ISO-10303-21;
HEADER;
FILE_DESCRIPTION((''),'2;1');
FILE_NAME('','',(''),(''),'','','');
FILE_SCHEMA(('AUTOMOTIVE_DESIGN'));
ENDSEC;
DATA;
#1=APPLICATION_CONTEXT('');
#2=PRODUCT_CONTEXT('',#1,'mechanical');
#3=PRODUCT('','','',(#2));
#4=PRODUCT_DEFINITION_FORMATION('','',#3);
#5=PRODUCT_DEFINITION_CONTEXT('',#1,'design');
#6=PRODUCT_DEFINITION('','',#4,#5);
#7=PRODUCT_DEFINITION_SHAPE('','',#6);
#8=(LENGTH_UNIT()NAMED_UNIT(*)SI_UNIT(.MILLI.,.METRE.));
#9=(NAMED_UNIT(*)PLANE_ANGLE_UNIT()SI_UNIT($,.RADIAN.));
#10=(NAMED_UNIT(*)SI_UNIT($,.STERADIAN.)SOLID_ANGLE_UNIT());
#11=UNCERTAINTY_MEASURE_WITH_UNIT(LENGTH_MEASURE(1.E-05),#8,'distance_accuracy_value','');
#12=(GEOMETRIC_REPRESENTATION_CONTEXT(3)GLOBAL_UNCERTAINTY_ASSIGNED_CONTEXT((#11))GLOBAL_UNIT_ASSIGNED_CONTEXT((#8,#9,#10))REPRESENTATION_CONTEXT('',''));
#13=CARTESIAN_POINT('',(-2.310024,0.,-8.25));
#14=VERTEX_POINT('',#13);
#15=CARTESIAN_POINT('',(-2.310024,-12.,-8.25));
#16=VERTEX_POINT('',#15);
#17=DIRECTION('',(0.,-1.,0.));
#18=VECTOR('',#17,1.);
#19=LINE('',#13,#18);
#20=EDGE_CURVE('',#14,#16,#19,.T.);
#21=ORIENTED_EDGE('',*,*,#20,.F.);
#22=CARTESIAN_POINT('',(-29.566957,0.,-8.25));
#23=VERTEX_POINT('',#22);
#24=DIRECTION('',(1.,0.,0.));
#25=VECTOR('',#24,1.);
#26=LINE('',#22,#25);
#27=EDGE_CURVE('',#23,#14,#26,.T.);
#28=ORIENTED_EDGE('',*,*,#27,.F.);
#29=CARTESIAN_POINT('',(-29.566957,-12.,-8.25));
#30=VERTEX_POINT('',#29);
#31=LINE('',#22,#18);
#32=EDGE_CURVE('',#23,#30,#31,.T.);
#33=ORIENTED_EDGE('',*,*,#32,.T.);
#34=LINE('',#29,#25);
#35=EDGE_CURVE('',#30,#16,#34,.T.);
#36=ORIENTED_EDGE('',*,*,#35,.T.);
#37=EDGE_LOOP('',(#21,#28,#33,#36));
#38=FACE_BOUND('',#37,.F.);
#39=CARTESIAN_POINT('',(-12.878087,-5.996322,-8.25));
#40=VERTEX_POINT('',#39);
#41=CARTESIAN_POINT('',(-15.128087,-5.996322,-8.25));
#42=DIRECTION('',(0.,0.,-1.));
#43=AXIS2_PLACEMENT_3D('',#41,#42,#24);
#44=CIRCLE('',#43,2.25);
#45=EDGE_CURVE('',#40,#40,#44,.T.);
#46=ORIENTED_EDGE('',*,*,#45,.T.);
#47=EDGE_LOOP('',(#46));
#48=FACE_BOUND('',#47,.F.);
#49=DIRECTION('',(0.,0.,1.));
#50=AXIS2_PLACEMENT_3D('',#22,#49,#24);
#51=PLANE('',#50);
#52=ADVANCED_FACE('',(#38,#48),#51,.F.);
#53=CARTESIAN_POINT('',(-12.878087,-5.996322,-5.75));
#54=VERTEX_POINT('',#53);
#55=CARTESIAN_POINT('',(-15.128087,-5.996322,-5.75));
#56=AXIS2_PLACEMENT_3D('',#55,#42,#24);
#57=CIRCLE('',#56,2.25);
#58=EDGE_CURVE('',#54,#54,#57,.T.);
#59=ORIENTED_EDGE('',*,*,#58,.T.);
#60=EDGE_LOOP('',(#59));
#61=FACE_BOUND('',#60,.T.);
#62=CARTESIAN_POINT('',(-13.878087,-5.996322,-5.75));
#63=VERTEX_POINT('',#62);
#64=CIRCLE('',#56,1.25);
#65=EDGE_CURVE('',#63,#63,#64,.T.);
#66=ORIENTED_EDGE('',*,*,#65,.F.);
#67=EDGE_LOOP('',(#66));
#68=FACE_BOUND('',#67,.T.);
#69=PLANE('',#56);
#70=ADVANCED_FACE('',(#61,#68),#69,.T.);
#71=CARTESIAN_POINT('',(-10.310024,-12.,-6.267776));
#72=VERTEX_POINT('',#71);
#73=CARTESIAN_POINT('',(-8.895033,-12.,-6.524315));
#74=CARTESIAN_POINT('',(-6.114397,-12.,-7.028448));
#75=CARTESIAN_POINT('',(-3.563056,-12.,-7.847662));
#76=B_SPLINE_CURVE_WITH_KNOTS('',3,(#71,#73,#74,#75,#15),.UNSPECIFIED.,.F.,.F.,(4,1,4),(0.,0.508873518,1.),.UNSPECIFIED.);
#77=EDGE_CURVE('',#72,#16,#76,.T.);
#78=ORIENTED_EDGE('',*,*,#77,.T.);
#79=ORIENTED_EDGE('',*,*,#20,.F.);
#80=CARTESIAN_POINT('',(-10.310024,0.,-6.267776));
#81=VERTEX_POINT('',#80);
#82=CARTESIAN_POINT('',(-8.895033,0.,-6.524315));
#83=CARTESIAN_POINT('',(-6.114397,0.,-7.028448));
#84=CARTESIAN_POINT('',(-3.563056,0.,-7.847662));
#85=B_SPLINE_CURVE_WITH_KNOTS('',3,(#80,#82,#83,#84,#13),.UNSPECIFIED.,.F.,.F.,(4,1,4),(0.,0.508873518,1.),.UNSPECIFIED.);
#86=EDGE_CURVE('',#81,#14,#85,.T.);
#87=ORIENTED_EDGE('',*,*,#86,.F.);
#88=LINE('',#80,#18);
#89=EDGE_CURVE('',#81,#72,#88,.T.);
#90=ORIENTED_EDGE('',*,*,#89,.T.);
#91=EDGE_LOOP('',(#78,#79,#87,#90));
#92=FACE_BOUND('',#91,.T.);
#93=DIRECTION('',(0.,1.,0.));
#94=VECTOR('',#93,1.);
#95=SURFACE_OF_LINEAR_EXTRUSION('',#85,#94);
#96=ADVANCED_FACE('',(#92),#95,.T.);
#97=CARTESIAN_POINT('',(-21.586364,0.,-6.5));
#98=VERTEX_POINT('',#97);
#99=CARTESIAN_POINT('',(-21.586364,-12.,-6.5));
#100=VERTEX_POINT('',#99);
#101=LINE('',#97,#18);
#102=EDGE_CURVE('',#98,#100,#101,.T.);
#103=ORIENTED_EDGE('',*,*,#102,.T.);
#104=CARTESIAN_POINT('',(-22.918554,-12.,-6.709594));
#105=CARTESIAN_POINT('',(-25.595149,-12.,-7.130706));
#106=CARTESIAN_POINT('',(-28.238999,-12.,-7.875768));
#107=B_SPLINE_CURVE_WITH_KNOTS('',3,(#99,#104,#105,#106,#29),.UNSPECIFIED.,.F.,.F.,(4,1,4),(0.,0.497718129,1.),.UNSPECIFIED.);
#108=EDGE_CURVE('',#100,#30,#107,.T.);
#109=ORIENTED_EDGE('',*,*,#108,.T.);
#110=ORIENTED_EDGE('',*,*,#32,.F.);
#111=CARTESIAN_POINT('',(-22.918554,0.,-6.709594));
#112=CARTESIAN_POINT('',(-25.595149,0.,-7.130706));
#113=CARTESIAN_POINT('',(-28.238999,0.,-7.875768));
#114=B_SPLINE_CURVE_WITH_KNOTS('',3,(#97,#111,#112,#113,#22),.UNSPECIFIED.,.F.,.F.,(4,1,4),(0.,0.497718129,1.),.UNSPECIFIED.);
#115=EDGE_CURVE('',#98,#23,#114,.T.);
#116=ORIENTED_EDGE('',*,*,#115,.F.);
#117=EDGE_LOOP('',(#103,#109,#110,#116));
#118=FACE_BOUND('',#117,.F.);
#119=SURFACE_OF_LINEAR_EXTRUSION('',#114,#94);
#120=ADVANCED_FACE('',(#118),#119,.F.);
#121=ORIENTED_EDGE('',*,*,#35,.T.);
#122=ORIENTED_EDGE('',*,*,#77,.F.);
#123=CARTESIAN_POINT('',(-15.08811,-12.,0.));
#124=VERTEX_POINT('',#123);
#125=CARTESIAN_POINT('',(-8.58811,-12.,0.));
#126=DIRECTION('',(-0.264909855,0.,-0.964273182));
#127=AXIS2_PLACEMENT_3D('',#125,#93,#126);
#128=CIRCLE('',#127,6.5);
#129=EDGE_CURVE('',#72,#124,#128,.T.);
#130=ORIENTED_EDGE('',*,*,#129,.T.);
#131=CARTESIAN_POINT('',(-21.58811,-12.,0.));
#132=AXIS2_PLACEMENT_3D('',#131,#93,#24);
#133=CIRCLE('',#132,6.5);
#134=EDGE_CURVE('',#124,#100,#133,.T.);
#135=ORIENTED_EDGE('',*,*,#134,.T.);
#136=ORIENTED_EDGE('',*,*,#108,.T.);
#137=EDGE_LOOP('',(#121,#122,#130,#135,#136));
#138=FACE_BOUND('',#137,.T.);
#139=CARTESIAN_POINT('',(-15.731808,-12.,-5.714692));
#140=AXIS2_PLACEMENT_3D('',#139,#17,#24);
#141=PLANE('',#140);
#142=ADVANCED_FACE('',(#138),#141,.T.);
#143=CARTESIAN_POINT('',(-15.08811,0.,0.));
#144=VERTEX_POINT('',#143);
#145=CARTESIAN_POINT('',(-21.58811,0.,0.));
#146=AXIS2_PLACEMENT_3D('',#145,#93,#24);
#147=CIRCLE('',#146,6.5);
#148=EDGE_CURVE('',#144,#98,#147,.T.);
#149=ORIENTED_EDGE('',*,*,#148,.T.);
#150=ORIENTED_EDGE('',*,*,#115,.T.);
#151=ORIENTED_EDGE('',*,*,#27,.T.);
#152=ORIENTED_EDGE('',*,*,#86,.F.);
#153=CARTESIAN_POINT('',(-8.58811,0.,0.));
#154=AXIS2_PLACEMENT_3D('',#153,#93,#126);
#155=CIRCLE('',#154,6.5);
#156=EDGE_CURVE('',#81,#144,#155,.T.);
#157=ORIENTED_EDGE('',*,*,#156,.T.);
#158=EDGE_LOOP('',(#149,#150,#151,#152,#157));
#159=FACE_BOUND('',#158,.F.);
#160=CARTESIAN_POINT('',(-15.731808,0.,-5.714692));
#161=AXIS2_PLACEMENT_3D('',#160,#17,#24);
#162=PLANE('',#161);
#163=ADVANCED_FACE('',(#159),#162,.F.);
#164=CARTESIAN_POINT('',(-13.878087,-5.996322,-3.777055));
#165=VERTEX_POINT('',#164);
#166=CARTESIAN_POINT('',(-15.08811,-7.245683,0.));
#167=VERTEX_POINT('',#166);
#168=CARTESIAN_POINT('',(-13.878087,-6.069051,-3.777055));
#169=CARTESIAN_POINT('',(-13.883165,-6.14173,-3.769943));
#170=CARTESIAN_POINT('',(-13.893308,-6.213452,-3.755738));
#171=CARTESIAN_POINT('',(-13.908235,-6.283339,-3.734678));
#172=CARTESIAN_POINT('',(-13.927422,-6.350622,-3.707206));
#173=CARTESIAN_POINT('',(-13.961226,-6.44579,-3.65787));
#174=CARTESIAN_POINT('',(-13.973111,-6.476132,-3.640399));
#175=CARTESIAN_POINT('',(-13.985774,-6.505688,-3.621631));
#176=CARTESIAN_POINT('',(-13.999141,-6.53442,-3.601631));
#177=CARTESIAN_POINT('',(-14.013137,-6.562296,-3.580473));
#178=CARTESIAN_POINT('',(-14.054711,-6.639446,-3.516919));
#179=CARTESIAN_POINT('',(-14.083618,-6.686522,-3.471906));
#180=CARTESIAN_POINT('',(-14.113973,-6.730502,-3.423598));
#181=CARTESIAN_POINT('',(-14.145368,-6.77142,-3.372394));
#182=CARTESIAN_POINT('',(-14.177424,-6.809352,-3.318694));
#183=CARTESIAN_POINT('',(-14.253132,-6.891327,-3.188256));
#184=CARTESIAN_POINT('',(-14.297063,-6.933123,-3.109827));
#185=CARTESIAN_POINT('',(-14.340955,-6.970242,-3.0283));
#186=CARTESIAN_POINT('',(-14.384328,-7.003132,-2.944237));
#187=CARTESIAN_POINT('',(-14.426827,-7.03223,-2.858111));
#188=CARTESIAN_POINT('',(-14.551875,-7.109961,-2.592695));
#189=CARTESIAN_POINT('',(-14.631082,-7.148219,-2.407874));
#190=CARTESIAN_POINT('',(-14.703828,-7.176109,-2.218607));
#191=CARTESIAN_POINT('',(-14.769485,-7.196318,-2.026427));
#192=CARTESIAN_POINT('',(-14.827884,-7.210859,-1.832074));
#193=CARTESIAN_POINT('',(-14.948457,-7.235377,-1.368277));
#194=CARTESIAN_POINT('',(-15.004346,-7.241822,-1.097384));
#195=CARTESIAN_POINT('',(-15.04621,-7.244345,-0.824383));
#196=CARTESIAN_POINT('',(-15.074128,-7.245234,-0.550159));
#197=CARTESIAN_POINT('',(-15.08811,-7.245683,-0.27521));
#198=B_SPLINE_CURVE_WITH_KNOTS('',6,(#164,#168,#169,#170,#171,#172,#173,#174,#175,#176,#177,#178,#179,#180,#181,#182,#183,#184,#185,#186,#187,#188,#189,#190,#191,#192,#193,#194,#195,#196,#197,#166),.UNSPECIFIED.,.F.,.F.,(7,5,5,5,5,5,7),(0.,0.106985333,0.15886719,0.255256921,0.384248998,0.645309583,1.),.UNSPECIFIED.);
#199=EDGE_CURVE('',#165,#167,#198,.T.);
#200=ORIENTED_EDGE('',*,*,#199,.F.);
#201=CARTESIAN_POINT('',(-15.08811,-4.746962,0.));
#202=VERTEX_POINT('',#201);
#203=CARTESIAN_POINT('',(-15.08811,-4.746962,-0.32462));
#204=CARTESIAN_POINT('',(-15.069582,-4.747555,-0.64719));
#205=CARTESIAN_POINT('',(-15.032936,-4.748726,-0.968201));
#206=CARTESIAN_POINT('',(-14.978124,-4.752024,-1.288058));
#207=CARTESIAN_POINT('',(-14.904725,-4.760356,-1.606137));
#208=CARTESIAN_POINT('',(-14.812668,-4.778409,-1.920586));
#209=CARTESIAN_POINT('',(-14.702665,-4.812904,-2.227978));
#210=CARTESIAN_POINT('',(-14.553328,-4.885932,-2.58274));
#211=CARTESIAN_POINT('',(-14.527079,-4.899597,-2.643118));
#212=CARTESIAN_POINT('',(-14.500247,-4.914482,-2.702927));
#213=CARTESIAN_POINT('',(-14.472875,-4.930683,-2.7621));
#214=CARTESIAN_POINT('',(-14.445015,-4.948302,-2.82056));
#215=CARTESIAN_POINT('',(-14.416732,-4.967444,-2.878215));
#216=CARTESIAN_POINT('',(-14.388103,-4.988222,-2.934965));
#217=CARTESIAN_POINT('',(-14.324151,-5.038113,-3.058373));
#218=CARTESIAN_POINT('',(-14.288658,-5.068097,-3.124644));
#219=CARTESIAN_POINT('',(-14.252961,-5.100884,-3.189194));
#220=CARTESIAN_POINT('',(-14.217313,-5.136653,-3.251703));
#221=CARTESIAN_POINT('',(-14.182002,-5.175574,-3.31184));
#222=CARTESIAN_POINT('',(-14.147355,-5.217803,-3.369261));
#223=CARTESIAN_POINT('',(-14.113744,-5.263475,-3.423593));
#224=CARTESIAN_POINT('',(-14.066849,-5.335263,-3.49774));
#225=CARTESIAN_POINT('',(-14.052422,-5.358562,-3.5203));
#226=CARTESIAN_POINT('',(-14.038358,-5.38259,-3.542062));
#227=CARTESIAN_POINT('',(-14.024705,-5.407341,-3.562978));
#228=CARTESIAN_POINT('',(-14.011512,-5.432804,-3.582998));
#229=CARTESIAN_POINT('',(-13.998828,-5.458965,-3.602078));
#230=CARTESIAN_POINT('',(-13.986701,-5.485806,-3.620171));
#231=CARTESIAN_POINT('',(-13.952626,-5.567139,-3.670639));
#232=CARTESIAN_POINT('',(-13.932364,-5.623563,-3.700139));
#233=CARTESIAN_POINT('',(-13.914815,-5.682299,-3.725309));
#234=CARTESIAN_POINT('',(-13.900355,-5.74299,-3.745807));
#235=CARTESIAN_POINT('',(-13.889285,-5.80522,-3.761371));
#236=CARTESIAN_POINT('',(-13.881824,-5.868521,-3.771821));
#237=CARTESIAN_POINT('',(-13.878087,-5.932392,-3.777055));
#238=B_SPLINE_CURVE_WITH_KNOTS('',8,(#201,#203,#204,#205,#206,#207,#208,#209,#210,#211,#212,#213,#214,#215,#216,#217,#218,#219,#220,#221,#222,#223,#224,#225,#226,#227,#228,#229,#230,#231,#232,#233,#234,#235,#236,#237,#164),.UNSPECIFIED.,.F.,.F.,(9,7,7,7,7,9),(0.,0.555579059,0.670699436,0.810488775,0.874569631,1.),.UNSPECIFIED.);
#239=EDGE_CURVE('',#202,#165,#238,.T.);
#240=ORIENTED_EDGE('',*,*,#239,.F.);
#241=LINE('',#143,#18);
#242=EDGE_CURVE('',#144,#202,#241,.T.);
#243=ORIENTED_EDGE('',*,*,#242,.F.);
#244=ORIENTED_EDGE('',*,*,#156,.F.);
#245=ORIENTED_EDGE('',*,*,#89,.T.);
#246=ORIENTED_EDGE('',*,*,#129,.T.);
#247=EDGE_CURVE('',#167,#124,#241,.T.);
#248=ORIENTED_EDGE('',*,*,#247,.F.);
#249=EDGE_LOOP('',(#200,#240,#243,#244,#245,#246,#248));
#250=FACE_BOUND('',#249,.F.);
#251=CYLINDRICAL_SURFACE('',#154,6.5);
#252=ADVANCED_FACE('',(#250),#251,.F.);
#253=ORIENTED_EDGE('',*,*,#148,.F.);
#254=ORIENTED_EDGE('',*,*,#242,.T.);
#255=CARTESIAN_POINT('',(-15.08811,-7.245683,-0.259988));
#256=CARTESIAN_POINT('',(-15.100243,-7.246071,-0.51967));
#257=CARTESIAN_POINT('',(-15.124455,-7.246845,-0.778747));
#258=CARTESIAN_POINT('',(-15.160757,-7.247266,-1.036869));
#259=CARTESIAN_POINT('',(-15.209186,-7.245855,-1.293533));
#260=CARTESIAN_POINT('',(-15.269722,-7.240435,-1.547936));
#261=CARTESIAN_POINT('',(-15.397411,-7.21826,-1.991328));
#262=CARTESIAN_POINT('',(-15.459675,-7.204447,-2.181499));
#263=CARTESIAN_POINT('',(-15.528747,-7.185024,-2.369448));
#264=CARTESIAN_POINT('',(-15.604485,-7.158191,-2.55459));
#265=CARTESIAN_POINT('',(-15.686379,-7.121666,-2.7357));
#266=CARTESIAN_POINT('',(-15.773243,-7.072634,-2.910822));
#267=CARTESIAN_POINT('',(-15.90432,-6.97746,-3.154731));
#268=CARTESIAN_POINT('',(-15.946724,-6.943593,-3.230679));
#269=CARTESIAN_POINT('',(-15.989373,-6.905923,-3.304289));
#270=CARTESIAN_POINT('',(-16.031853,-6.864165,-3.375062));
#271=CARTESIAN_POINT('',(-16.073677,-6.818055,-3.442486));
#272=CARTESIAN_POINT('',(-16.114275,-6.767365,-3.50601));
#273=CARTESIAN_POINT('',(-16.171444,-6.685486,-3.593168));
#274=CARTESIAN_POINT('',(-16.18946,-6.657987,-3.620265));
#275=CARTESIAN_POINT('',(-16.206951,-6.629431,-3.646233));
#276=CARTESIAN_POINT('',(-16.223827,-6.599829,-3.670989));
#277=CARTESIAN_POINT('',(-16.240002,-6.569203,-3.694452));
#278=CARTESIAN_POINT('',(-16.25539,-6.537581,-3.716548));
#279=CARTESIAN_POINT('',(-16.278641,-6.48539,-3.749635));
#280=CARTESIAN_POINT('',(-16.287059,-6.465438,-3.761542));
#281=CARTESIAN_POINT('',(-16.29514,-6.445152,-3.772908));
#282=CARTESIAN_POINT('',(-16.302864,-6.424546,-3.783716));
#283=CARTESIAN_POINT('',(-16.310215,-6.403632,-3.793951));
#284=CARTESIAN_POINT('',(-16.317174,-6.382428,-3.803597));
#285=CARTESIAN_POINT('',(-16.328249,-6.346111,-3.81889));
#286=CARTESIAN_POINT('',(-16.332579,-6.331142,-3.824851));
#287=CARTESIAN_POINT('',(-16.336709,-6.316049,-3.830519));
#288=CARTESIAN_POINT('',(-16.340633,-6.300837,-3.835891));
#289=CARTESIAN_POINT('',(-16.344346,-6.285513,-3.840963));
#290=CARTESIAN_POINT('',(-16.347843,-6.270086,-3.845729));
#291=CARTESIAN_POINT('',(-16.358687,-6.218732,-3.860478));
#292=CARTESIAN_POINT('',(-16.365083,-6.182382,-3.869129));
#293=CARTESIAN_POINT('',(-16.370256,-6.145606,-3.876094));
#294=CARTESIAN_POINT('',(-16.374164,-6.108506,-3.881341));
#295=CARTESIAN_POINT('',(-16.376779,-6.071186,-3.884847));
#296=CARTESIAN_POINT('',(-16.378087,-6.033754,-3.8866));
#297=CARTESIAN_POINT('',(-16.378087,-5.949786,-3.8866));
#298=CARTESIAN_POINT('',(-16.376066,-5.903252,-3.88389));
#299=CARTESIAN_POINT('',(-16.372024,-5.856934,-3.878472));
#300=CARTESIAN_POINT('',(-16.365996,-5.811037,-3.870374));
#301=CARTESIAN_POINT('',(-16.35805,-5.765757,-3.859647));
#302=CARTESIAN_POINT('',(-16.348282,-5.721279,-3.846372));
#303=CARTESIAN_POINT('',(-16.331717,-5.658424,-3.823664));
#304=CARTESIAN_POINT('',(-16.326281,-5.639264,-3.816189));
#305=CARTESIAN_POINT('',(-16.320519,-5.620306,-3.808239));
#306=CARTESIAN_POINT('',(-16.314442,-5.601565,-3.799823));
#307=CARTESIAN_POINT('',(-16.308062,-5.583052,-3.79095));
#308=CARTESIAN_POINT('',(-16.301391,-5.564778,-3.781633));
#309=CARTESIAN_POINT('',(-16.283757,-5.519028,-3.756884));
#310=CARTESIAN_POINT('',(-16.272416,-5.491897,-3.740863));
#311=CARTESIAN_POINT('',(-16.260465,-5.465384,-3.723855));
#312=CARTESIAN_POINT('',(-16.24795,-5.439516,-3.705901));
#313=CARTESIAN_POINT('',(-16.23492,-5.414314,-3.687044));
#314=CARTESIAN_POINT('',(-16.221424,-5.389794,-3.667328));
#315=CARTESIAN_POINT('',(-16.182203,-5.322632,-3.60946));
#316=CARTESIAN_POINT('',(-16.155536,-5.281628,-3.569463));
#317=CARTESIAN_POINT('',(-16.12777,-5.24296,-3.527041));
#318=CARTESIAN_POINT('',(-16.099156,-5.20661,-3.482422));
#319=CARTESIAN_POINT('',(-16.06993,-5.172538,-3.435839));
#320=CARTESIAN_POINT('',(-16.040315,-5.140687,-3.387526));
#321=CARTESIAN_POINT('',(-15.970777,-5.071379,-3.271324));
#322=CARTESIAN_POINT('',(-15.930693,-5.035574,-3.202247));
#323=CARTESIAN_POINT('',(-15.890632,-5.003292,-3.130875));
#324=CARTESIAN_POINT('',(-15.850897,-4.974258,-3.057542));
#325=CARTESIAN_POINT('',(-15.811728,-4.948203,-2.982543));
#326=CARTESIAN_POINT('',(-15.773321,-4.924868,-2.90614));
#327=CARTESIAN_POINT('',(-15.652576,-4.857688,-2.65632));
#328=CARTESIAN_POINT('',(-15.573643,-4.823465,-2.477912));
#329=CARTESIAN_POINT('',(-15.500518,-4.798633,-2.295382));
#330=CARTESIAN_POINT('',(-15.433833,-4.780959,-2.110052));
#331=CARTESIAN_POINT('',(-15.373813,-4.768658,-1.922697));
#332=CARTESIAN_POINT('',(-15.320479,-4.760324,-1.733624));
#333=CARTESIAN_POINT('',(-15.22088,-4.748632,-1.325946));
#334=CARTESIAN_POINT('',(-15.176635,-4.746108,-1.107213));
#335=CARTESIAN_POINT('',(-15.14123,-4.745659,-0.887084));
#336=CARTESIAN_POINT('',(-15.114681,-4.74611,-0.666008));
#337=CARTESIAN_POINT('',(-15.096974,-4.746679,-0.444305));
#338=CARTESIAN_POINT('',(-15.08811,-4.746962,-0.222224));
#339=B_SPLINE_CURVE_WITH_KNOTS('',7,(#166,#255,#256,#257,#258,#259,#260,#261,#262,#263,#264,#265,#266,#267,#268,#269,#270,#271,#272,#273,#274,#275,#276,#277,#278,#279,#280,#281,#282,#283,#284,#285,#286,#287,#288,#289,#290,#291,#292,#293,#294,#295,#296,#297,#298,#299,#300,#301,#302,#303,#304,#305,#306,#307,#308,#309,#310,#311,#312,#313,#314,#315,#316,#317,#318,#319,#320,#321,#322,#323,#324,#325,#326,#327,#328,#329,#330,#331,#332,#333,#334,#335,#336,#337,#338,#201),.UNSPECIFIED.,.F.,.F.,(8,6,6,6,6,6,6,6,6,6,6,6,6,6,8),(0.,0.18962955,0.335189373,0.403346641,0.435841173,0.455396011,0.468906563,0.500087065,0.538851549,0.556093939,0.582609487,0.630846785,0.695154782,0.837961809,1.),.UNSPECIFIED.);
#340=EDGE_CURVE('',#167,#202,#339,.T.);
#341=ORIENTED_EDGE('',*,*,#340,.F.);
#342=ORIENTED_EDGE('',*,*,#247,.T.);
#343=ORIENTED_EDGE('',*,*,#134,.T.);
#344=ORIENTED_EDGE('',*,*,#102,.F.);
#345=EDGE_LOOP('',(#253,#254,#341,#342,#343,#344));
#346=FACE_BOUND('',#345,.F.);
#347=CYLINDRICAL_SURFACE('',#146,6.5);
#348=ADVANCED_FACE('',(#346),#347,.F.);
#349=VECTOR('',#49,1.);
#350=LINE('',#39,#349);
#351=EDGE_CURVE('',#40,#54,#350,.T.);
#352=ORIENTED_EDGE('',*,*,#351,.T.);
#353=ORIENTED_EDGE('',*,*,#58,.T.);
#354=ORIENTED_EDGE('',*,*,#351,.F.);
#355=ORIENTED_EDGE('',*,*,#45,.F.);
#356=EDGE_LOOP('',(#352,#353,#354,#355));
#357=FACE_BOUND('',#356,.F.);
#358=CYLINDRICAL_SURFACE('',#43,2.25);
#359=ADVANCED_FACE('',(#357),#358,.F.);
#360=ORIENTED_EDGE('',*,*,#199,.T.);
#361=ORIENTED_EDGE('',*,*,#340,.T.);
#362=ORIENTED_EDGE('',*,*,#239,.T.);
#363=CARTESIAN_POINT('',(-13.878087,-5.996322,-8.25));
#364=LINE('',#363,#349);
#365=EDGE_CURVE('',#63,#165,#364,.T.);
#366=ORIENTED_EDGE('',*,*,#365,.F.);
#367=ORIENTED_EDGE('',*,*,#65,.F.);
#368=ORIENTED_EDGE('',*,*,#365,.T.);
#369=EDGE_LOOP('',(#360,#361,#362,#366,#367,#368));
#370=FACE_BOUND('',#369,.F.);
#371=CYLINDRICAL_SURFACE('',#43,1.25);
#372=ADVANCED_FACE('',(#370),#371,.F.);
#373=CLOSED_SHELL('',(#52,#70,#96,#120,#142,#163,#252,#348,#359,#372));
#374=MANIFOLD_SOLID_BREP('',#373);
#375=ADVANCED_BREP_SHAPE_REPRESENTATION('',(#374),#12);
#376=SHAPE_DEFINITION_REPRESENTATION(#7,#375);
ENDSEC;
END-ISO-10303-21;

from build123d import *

# Parameters (mm, degrees)
F1_DEPTH = 12
F2_R     = 1.25
F3_DEPTH = 25
F2_R_2   = 2.25
F4_DEPTH = 2.5


with BuildPart() as f1:
    # F0 (on Front) → F1 (new body)
    with BuildSketch(Plane.XZ):
        with BuildLine():
            ThreePointArc((-15.0881102346, 0), (-16.991298859, -4.5955766968), (-21.5863641351, -6.4999997655))
            Line((-21.5863641351, -6.4999997655), (-21.5863641351, -8.2499998827))
            Line((-21.5863641351, -8.2499998827), (-10.3100242913, -8.2499998827))
            Line((-10.3100242913, -8.2499998827), (-10.3100242913, -6.2677756805))
            ThreePointArc((-10.3100242913, -6.2677756805), (-13.7573675008, -3.9406572188), (-15.0881102346, 0))
        make_face()
        with BuildLine():
            Line((-21.5863641351, -8.2499998827), (-21.5863641351, -6.4999997655))
            add(Edge.make_bspline(
                [(-21.5863641351, -6.4999997655), (-22.9185539989, -6.7095944516), (-25.5951490164, -7.1307056669), (-28.238998845, -7.875768386), (-29.566956684, -8.2499998827)],
                knots=[0, 0, 0, 0, 0.4977181288, 1, 1, 1, 1], degree=3))
            Line((-29.566956684, -8.2499998827), (-21.5863641351, -8.2499998827))
        make_face()
        with BuildLine():
            add(Edge.make_bspline(
                [(-10.3100242913, -6.2677756805), (-8.8950325252, -6.524315434), (-6.1143970315, -7.0284480808), (-3.563055622, -7.847662156), (-2.3100242913, -8.2499998827)],
                knots=[0, 0, 0, 0, 0.508873518, 1, 1, 1, 1], degree=3))
            Line((-10.3100242913, -6.2677756805), (-10.3100242913, -8.2499998827))
            Line((-10.3100242913, -8.2499998827), (-2.3100242913, -8.2499998827))
        make_face()
    extrude(amount=F1_DEPTH)

    # F2 (on face) → F3 (cut)
    with BuildSketch(Plane(origin=(0, 0, -8.2499998827), x_dir=(1, 0, 0), z_dir=(0, 0, -1))):
        with Locations((-15.1280872524, 5.9963222593)):
            Circle(F2_R)
    extrude(amount=-F3_DEPTH, mode=Mode.SUBTRACT)

    # F2 (on face) → F4 (cut)
    with BuildSketch(Plane(origin=(0, 0, -8.2499998827), x_dir=(1, 0, 0), z_dir=(0, 0, -1))):
        with Locations((-15.1280872524, 5.9963222593)):
            Circle(F2_R_2)
        with Locations((-15.1280872524, 5.9963222593)):
            Circle(F2_R, mode=Mode.SUBTRACT)
    extrude(amount=-F4_DEPTH, mode=Mode.SUBTRACT)


solid = f1.part
